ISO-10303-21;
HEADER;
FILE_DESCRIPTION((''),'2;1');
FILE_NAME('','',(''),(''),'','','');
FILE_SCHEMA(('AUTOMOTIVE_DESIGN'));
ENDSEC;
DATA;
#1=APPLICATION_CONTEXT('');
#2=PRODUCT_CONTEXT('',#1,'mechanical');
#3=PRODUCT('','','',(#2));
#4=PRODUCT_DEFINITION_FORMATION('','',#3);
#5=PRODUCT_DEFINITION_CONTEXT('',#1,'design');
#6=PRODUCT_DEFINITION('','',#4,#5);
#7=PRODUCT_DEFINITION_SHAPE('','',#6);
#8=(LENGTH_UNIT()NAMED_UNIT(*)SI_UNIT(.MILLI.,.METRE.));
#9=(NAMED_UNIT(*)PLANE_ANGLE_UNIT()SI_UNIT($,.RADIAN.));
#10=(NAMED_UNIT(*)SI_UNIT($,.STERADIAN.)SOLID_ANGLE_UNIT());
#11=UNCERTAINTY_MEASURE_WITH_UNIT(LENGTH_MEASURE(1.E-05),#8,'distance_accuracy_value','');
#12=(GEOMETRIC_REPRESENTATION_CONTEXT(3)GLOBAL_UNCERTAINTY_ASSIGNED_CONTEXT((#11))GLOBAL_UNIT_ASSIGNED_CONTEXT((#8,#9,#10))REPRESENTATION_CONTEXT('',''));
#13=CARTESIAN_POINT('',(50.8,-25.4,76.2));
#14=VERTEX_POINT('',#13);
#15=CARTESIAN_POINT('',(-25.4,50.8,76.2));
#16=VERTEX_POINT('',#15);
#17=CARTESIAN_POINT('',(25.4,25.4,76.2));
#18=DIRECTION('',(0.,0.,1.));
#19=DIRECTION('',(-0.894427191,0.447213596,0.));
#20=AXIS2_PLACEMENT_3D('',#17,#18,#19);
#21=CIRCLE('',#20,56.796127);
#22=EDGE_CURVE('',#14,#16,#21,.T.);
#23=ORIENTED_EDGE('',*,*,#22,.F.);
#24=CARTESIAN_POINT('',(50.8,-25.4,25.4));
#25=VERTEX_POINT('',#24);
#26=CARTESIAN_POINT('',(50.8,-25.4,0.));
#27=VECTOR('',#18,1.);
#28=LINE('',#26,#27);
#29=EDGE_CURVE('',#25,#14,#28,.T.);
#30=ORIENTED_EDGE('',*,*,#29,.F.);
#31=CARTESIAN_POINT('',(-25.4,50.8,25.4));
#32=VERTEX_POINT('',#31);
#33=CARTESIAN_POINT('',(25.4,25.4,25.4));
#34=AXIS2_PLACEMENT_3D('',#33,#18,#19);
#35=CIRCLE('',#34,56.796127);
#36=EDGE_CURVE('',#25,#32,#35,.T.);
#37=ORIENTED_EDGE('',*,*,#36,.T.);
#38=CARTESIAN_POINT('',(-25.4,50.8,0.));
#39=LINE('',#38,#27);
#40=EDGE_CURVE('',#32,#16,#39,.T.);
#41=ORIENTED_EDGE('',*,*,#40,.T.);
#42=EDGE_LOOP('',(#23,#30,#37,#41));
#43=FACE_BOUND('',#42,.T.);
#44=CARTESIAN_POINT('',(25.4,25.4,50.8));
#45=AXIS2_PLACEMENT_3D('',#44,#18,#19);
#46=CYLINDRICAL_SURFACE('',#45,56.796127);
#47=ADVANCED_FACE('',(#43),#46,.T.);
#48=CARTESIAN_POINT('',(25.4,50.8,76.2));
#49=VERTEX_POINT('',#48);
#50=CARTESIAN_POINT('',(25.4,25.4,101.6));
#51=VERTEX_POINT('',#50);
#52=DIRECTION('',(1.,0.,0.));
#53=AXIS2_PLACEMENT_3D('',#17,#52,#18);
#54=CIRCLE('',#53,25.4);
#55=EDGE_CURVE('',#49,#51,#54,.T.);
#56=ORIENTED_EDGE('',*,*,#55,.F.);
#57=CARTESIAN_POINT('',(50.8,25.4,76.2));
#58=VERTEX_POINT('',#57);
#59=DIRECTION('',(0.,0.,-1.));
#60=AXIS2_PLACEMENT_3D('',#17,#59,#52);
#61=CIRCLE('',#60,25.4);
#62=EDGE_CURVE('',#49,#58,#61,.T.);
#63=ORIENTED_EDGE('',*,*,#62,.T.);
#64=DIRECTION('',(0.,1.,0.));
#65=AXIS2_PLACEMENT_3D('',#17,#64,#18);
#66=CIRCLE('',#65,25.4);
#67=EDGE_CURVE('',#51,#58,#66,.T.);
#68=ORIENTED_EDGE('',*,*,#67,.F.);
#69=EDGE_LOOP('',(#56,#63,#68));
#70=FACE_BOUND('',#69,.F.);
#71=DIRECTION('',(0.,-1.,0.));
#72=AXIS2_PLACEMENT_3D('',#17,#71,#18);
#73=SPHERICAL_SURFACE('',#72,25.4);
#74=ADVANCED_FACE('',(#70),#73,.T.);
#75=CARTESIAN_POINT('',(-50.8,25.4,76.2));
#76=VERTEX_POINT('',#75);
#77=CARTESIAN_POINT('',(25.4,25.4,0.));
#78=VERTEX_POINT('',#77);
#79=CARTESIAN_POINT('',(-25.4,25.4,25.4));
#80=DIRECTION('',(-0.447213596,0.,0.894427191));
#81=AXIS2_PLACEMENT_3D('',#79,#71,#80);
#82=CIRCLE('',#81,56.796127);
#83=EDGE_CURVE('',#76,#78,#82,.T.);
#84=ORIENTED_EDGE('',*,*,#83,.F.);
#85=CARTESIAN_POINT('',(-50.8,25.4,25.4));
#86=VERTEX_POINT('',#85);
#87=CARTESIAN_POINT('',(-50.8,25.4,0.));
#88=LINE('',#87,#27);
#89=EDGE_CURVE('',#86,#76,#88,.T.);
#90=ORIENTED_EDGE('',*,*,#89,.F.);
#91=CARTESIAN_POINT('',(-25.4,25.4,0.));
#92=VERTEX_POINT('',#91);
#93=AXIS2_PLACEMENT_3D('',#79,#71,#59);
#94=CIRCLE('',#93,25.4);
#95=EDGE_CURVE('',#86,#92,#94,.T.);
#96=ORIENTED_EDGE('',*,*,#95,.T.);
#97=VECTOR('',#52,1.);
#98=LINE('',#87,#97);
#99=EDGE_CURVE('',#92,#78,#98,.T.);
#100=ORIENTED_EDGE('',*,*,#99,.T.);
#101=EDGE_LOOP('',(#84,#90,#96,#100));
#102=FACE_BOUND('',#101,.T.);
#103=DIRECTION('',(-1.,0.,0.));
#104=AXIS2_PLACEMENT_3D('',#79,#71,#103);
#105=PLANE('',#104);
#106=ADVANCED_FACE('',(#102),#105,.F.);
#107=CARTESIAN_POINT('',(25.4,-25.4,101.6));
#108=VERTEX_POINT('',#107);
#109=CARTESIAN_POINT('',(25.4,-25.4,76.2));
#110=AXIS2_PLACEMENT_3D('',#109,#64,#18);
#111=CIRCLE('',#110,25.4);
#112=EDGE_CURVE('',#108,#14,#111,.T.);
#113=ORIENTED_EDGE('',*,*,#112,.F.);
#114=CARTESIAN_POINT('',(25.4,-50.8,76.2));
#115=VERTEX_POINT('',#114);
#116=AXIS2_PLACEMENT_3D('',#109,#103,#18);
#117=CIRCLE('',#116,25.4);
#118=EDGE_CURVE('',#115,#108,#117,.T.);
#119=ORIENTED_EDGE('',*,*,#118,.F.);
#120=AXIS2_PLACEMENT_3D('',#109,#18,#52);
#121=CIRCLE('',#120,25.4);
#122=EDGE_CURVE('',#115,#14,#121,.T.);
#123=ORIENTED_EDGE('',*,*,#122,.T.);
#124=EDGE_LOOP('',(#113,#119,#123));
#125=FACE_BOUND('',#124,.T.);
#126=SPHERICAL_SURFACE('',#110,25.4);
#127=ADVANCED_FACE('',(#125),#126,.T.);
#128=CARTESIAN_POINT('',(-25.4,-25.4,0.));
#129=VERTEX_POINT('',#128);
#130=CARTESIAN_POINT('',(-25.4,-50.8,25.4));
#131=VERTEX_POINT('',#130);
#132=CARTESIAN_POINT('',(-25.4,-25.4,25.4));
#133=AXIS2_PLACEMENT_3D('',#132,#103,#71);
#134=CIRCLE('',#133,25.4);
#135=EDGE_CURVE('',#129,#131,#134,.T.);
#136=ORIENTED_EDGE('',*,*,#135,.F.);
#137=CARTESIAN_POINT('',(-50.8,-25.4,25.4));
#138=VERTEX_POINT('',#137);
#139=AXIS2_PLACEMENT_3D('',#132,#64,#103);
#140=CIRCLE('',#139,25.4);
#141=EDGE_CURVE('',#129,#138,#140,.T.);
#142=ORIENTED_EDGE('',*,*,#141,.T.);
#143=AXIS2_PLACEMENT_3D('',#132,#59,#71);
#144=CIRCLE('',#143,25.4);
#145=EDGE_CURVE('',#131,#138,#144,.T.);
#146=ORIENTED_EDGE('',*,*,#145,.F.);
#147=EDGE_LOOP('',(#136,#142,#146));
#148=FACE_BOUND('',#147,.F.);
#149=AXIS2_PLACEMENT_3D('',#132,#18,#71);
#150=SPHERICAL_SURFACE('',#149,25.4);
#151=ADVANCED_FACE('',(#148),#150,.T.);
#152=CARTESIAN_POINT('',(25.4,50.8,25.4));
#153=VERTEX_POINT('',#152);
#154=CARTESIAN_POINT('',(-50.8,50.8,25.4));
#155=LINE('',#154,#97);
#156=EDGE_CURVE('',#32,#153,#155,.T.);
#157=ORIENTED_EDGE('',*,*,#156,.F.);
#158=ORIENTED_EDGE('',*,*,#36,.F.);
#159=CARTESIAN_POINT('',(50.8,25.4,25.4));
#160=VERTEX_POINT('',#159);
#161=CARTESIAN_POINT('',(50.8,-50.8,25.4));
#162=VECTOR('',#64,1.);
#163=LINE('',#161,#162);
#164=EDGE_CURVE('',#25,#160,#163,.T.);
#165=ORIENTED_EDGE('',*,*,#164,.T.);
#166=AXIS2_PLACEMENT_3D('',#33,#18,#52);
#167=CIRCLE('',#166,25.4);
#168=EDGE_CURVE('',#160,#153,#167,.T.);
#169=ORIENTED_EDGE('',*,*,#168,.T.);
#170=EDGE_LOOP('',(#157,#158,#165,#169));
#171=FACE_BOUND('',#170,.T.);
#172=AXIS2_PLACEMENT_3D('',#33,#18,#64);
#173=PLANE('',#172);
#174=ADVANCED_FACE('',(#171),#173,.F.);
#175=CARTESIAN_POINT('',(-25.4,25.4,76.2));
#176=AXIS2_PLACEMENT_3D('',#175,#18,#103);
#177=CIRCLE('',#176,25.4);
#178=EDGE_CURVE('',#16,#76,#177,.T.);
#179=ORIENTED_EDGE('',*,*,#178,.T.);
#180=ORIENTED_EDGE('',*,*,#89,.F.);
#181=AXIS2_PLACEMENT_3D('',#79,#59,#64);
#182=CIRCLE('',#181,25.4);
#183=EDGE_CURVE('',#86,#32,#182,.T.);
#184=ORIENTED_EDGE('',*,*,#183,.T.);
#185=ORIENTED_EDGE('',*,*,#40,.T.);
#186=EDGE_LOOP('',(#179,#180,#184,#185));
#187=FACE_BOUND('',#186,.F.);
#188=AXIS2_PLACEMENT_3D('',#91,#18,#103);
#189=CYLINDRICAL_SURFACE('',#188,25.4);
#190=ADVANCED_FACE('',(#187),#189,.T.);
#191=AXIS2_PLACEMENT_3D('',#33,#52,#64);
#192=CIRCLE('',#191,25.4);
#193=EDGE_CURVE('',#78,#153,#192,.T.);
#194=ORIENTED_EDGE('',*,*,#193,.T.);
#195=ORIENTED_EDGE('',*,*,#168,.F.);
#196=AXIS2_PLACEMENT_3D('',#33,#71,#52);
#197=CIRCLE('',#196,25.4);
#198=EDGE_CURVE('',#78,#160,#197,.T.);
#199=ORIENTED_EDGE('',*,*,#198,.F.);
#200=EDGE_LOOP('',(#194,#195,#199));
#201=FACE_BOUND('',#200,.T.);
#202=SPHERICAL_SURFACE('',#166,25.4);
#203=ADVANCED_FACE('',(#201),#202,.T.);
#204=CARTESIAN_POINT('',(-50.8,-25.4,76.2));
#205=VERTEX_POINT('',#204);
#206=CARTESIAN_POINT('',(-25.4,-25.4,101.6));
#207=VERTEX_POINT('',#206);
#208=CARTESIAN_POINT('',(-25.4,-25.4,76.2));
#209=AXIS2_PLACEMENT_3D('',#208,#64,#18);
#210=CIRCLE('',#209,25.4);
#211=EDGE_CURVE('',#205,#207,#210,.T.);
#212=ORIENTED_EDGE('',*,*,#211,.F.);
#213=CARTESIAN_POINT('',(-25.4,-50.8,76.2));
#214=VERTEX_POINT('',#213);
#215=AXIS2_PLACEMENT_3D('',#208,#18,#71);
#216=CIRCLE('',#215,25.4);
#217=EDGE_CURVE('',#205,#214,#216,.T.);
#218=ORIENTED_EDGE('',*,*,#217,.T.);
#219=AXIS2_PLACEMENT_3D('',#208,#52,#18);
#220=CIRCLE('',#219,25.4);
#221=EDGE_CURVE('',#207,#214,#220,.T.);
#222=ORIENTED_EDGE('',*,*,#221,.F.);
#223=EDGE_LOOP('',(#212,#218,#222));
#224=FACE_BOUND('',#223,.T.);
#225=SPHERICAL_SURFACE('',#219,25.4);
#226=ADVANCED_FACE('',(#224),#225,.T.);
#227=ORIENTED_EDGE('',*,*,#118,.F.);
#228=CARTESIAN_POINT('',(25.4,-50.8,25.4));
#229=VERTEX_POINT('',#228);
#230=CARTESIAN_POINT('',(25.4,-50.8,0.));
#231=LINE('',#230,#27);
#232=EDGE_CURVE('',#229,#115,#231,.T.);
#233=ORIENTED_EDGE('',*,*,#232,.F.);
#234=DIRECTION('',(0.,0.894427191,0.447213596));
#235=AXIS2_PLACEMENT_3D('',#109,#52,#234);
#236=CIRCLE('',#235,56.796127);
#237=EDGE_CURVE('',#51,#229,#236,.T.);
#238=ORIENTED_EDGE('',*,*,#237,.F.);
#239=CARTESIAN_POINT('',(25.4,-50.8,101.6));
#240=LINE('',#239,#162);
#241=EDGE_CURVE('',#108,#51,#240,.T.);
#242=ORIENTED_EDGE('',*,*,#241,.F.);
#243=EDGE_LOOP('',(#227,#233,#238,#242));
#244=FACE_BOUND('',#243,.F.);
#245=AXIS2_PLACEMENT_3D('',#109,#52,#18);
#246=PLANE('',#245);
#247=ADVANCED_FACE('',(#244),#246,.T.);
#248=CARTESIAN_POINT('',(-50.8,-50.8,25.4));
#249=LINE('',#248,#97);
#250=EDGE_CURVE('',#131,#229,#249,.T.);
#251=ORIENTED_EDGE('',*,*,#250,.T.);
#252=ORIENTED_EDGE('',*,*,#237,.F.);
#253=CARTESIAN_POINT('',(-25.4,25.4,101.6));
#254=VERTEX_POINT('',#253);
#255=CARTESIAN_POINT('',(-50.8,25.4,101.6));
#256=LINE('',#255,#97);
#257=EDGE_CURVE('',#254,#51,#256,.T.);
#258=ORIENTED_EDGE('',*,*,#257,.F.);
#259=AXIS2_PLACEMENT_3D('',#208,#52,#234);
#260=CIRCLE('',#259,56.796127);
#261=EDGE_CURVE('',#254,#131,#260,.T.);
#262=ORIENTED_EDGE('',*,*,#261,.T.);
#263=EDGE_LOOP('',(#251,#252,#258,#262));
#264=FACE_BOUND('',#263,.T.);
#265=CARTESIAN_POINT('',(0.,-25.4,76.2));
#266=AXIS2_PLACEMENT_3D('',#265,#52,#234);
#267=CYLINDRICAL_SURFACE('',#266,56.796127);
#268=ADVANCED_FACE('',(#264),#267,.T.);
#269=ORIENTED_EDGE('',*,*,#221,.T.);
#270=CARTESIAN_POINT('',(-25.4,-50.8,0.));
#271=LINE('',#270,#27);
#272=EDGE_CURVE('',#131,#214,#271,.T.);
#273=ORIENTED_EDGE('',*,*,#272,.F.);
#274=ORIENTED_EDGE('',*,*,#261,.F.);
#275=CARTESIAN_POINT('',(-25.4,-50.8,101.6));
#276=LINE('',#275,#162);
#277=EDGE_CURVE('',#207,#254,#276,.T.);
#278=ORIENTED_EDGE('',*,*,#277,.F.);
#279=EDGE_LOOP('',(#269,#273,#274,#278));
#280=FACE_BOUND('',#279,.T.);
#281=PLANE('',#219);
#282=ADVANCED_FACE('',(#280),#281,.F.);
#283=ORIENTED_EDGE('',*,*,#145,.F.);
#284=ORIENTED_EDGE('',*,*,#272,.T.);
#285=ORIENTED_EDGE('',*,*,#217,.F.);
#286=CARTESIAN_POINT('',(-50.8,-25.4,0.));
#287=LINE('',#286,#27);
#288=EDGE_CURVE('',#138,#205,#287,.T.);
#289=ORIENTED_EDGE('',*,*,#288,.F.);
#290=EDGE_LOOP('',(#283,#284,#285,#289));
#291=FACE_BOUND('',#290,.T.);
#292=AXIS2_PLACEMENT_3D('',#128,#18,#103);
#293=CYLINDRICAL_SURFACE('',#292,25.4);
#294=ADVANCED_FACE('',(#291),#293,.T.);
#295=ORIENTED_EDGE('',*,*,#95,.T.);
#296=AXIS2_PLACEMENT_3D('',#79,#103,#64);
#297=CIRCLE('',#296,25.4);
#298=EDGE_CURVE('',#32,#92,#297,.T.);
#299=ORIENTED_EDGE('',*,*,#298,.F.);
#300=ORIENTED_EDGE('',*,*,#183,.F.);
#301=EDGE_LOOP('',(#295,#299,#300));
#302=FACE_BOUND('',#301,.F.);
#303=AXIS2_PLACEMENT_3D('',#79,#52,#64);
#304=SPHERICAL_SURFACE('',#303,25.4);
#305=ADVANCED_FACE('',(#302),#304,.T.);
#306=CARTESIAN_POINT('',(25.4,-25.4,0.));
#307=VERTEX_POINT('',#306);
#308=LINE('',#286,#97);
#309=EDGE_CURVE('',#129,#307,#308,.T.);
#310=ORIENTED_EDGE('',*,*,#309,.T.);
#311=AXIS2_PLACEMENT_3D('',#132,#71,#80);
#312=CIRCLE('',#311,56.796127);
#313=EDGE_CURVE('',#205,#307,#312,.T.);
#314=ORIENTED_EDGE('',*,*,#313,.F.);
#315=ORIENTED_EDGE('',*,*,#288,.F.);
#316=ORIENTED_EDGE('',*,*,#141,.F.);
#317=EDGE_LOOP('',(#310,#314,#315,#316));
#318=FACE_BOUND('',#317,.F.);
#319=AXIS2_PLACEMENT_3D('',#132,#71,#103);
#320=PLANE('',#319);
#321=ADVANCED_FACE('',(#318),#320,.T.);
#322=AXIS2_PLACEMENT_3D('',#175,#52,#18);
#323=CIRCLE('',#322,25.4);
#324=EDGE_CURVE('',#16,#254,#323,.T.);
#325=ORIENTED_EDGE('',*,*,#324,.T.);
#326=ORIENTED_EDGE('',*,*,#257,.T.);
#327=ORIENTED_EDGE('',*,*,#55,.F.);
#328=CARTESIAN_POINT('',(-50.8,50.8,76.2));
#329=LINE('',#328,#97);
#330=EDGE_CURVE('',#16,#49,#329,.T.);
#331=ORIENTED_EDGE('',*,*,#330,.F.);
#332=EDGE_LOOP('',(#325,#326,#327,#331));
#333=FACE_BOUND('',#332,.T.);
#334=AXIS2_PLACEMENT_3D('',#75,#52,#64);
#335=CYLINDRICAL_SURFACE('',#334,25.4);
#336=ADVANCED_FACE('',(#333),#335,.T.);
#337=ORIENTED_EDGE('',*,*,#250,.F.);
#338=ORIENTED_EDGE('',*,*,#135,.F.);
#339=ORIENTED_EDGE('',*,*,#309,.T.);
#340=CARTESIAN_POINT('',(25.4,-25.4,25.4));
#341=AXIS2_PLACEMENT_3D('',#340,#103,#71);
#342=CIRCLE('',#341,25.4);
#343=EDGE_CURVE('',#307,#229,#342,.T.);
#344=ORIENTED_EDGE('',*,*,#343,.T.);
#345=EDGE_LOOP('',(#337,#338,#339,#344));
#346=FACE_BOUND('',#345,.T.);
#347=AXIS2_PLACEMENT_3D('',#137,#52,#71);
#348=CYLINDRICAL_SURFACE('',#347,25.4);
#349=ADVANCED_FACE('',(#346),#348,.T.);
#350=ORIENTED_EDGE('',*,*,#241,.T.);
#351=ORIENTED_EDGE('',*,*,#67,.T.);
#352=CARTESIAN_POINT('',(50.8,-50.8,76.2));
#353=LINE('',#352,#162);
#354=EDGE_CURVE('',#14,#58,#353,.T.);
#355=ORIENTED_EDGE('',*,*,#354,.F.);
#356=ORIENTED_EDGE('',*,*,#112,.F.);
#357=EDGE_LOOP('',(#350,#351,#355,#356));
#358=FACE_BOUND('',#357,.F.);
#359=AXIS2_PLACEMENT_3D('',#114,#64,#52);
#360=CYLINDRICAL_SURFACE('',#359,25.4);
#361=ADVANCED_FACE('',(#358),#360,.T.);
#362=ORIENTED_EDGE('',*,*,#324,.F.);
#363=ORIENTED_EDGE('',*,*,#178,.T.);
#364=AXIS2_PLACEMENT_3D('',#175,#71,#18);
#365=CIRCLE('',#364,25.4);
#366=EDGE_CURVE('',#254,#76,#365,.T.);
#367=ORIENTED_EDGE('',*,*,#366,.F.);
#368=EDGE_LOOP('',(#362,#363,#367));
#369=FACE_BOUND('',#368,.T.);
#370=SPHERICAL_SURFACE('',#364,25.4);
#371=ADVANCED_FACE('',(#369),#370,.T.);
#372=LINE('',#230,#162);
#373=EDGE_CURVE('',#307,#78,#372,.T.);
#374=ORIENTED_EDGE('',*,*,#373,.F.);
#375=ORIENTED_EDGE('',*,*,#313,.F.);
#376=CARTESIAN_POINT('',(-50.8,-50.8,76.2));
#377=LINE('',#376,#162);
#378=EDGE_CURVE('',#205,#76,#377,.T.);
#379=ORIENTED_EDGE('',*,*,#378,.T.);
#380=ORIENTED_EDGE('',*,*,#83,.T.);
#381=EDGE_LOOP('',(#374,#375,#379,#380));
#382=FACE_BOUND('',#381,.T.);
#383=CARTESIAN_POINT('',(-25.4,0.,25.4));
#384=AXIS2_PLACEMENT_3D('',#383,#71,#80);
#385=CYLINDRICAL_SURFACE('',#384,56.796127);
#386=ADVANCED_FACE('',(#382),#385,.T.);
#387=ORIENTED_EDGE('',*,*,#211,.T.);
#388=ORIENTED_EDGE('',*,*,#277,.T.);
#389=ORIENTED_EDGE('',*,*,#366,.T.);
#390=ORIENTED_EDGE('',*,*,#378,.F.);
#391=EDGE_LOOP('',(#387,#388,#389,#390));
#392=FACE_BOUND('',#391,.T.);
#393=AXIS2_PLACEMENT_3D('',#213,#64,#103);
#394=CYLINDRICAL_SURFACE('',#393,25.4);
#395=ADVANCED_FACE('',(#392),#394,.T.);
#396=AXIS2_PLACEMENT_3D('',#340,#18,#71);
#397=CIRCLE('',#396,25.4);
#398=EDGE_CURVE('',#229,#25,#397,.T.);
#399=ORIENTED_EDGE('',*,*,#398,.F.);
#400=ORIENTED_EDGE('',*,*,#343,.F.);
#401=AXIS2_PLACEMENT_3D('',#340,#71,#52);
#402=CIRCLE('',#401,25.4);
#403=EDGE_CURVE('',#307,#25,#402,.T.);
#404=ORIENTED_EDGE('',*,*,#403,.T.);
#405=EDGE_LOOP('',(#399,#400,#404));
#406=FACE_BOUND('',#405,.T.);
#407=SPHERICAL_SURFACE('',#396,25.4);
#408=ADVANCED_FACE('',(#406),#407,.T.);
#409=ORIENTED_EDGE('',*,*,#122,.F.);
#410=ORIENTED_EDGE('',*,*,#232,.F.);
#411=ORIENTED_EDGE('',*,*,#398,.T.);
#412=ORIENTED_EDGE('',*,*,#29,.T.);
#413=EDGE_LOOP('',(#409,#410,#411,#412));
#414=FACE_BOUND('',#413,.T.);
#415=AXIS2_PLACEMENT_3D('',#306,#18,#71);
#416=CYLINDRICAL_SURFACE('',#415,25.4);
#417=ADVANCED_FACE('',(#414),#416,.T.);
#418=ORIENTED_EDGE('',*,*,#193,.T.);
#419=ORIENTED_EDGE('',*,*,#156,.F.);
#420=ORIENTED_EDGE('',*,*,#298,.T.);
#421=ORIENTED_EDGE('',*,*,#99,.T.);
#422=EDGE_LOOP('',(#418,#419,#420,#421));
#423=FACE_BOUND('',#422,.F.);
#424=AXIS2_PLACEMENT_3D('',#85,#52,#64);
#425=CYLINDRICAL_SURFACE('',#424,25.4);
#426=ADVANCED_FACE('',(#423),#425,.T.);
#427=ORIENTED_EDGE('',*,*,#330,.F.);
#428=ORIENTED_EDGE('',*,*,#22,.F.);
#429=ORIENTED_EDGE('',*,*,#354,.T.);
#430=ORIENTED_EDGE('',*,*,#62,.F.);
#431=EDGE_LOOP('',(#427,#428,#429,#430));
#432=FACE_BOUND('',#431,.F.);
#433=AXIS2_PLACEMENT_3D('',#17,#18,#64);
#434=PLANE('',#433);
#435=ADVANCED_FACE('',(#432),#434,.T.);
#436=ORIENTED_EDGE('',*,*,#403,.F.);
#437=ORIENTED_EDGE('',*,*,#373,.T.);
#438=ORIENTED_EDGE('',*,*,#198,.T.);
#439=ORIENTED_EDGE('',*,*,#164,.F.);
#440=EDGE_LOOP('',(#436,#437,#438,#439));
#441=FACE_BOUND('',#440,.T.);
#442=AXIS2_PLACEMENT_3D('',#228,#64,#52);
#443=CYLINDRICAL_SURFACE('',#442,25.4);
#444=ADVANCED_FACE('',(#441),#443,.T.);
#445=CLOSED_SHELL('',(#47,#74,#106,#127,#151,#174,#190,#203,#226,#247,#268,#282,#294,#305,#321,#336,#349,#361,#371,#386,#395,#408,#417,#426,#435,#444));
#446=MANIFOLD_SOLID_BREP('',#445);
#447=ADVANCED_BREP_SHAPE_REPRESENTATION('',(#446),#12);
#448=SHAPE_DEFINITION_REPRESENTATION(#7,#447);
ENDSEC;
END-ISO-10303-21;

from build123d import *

# Parameters (mm, degrees)
F0_W       = 101.6
F0_H       = 101.6
F1_DEPTH   = 101.6
F2_R       = 25.4
F1_FACE_W  = 50.8
F1_FACE_H  = 50.8
F1_FACE1_W = 50.8
F1_FACE1_H = 50.8
F1_FACE2_W = 50.8
F1_FACE2_H = 50.8


with BuildPart() as f1:
    # F0 (on Top) → F1 (new body)
    with BuildSketch(Plane.XY):
        Rectangle(F0_W, F0_H)
    extrude(amount=F1_DEPTH)

    # F2
    f2_edges = [f1.edges().sort_by_distance(p)[0] for p in [
        (50.8, 0, 101.6),
        (0, -50.8, 101.6),
        (-50.8, 0, 101.6),
        (0, 50.8, 101.6),
        (50.8, 50.8, 50.8),
        (50.8, -50.8, 50.8),
        (-50.8, -50.8, 50.8),
        (0, -50.8, 0),
        (50.8, 0, 0),
        (0, 50.8, 0),
        (-50.8, 50.8, 50.8),
        (-50.8, 0, 0),
    ]]
    fillet(f2_edges, radius=F2_R)

    # F1_face (on face) → F3 (revolve)
    with BuildSketch(Plane.XY.offset(101.6)):
        Rectangle(F1_FACE_W, F1_FACE_H)
    revolve(axis=Axis((-50.8, -25.4, 76.2), (1, 0, 0)))

    # F1_face1 (on face) → F4 (revolve)
    with BuildSketch(Plane(origin=(0, 50.8, 50.8), x_dir=(-1, 0, 0), z_dir=(0, 1, 0))):
        Rectangle(F1_FACE1_W, F1_FACE1_H)
    revolve(axis=Axis((25.4, 25.4, 0), (0, 0, 1)))

    # F1_face2 (on face) → F5 (revolve)
    with BuildSketch(Plane(origin=(-50.8, 0, 50.8), x_dir=(0, -1, 0), z_dir=(-1, 0, 0))):
        Rectangle(F1_FACE2_W, F1_FACE2_H)
    revolve(axis=Axis((-25.4, 50.8, 25.4), (0, -1, 0)))


solid = f1.part
